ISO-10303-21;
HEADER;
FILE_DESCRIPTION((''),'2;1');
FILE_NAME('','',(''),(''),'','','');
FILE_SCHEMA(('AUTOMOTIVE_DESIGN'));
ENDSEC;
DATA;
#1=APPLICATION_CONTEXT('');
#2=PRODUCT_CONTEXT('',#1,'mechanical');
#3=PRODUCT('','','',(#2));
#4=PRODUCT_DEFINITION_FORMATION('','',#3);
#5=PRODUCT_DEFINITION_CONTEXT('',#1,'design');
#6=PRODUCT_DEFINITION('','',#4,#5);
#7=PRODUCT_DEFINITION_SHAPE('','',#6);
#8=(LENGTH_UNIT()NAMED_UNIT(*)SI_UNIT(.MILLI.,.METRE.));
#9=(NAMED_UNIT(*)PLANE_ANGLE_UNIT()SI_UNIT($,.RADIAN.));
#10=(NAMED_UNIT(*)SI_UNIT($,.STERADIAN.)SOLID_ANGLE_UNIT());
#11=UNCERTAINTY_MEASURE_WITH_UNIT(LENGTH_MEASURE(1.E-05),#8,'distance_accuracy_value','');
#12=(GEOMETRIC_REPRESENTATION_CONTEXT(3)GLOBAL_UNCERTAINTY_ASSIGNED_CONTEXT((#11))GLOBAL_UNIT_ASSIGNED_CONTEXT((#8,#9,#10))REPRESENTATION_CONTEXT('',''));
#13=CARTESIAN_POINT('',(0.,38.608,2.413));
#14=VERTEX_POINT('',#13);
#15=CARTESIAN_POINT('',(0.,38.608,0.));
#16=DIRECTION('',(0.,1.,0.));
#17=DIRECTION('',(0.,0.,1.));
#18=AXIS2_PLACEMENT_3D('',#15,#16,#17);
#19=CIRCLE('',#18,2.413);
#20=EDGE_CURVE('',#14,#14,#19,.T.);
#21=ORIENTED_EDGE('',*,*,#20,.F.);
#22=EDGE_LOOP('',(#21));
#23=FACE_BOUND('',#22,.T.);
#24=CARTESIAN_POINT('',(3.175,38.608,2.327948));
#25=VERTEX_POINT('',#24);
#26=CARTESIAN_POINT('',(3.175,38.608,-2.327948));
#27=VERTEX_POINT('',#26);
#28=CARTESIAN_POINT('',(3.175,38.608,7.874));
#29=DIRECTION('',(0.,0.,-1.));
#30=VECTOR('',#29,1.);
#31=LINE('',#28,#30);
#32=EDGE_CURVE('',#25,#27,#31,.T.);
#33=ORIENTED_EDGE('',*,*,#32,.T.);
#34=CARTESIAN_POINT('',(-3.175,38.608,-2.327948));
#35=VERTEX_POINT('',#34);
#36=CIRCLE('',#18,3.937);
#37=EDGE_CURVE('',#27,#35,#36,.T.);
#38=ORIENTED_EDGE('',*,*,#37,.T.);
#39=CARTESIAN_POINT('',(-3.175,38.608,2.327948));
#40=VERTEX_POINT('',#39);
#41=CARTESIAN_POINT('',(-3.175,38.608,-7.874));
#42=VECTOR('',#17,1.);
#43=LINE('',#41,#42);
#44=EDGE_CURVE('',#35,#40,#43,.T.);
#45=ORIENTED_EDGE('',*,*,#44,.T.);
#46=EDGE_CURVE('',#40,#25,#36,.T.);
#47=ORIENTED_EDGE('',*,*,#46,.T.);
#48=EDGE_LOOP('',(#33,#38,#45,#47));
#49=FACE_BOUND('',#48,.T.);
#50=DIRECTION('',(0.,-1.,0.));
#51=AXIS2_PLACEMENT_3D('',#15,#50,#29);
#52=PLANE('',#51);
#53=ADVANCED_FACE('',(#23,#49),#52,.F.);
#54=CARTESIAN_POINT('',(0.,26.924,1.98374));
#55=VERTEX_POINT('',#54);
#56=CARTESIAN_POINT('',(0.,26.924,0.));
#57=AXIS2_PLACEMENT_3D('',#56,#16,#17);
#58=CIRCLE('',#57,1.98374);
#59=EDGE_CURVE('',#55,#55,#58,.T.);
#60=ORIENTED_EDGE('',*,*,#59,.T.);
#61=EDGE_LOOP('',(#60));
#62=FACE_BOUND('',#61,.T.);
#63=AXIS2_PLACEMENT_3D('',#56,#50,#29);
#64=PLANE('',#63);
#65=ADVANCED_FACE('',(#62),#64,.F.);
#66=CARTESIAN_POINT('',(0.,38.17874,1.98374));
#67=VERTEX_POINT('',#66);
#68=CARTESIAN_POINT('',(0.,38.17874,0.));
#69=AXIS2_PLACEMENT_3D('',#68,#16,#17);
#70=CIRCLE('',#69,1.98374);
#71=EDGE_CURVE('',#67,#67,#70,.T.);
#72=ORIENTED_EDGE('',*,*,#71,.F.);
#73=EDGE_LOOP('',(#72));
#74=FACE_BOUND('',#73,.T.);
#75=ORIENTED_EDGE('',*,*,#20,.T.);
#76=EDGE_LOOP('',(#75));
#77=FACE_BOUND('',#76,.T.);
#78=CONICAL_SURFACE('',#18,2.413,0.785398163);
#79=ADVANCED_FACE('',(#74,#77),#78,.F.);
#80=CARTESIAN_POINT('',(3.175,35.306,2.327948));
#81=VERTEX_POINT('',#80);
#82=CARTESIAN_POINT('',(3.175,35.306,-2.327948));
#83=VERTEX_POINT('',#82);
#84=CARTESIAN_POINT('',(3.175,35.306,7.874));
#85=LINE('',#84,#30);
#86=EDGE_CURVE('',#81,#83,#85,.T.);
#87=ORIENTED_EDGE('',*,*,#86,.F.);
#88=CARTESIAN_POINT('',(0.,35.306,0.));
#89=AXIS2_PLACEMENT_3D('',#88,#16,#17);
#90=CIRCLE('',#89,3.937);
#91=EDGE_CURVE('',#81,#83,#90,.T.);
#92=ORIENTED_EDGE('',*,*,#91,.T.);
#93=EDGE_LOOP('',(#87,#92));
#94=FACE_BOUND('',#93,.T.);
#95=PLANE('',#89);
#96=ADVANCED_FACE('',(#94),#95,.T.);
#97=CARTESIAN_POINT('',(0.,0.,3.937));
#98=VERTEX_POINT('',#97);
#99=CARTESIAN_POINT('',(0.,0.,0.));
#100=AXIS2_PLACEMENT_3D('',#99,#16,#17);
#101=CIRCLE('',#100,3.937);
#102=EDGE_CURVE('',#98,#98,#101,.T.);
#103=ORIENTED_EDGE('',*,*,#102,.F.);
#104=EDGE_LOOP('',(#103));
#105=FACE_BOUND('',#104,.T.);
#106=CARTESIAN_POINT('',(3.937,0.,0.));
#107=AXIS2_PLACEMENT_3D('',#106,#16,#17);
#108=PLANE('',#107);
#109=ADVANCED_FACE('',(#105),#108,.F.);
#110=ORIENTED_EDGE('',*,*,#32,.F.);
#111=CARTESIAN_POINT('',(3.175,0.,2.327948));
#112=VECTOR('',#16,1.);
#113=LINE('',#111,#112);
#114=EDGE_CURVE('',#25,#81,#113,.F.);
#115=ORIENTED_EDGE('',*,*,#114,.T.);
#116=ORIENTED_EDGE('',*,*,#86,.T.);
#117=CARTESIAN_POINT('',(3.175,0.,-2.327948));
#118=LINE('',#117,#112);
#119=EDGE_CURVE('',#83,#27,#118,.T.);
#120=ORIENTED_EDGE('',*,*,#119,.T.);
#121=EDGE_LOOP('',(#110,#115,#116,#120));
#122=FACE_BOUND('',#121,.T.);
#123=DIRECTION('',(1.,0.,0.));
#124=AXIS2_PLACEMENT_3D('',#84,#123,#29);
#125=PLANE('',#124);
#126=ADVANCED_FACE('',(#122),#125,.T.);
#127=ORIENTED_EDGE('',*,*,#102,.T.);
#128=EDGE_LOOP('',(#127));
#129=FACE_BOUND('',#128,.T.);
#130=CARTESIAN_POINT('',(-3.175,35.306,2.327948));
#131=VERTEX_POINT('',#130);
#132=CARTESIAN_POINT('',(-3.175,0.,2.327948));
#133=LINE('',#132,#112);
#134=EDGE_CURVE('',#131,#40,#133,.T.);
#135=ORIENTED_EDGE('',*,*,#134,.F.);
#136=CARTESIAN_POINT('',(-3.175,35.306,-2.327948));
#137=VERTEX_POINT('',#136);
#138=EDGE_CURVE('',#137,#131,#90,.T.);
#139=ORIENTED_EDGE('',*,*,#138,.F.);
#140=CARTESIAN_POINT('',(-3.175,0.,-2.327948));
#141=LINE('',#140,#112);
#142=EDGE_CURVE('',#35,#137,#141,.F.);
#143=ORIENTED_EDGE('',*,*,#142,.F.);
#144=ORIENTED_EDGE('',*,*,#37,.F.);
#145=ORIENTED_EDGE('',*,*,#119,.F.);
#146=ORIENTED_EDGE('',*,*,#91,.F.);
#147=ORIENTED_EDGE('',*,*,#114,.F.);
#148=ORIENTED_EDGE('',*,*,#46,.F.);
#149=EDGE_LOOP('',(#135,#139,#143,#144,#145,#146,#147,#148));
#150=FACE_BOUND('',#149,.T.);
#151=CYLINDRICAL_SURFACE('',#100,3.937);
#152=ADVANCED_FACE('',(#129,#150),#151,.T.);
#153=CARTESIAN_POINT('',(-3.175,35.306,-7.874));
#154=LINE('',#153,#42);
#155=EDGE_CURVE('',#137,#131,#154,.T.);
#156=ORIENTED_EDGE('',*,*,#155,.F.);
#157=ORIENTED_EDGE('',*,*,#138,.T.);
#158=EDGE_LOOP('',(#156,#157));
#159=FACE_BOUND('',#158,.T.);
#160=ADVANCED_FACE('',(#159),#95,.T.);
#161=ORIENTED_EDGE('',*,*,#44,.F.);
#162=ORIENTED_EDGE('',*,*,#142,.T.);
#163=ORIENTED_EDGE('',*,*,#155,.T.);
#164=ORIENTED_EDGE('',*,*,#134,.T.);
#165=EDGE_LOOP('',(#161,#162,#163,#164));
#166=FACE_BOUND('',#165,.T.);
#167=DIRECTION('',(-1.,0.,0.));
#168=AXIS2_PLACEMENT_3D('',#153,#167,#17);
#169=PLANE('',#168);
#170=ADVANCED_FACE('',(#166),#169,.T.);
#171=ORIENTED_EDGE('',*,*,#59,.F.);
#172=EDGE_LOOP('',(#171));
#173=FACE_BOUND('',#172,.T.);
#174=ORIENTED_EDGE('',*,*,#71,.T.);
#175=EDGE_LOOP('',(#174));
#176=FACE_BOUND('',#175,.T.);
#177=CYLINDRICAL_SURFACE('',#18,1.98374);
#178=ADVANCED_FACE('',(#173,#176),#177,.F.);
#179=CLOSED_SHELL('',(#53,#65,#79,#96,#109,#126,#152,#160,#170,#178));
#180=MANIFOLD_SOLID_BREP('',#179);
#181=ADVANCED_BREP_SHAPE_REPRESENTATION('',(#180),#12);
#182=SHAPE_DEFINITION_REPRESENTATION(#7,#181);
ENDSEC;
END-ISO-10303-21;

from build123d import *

# Parameters (mm, degrees)
SKETCH1_W          = 3.937
SKETCH1_H          = 38.608
HOLE1_D            = 3.96748
HOLE1_DEPTH        = 11.684
HOLE1_CSINK_D      = 4.826
HOLE1_CSINK_ANGLE  = 90
SKETCH4_W          = 12.7
SKETCH4_H          = 31.496
SKETCH4_W_2        = 6.35
SKETCH4_H_2        = 15.748
CUT_EXTRUDE1_DEPTH = 3.302


with BuildPart() as part:
    # Sketch1 → Revolve1 (revolve)
    with BuildSketch(Plane.XY):
        with Locations((1.9685, 19.304)):
            Rectangle(SKETCH1_W, SKETCH1_H)
    revolve(axis=Axis((0, 0, 0), (0, 1, 0)))

    # Hole1
    with Locations(Plane(origin=(0, 38.608, 0), x_dir=(1, 0, 0), z_dir=(0, 1, 0))):
        with Locations((0, 0)):
            CounterSinkHole(HOLE1_D / 2, HOLE1_CSINK_D / 2, depth=HOLE1_DEPTH, counter_sink_angle=HOLE1_CSINK_ANGLE)

    # Sketch4 → Cut-Extrude1 (cut)
    with BuildSketch(Plane(origin=(0, 38.608, 0), x_dir=(1, 0, 0), z_dir=(0, 1, 0))):
        Rectangle(SKETCH4_W, SKETCH4_H)
        Rectangle(SKETCH4_W_2, SKETCH4_H_2, mode=Mode.SUBTRACT)
    extrude(amount=-CUT_EXTRUDE1_DEPTH, mode=Mode.SUBTRACT)


solid = part.part
